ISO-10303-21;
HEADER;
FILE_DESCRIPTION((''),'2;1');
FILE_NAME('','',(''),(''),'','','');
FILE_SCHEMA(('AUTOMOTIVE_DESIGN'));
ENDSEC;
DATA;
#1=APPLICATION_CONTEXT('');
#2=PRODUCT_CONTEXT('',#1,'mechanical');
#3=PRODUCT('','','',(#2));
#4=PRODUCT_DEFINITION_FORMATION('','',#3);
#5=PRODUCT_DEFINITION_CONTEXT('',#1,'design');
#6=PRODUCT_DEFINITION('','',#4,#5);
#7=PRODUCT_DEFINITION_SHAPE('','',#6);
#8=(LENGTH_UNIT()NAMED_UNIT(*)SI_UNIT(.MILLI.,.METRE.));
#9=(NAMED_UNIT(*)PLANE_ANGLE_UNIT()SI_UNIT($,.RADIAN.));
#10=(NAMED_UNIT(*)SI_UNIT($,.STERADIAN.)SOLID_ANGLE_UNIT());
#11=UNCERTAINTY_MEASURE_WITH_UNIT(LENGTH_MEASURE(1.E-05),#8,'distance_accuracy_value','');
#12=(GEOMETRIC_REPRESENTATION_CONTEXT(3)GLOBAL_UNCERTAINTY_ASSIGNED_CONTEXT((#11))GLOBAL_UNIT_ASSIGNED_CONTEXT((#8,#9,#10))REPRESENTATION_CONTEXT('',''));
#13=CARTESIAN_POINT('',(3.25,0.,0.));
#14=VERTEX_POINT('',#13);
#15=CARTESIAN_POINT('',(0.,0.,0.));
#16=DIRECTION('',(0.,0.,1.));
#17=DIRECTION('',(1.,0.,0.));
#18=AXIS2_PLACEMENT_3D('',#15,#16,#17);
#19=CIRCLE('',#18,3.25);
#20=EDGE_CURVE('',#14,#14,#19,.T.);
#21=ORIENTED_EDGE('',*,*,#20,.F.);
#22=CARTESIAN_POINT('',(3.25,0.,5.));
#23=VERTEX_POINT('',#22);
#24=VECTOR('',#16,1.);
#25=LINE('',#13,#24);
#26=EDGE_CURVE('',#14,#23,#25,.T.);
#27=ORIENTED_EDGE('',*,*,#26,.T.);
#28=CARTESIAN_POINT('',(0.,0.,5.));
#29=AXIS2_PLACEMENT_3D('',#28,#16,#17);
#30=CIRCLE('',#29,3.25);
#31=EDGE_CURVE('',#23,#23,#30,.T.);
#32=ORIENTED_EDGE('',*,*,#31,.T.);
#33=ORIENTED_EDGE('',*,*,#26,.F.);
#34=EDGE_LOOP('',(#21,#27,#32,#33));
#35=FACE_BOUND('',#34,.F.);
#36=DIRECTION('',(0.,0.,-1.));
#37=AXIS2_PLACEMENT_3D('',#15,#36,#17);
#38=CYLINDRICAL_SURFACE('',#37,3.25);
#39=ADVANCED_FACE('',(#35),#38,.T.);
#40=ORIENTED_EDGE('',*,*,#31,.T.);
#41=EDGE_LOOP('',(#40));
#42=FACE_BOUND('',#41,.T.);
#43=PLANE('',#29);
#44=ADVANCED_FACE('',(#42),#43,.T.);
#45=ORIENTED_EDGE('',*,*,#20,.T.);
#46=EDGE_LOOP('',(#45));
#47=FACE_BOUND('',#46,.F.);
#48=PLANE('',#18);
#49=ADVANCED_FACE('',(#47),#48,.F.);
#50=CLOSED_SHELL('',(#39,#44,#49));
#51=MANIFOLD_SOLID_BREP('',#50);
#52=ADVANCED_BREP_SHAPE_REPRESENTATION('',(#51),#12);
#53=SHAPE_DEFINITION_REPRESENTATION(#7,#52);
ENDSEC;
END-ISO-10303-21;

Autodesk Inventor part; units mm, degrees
ref_plane "YZ Plane" through (0, 0, 0) normal (1, 0, 0) x (0, 1, 0)
ref_plane "XZ Plane" through (0, 0, 0) normal (0, 1, 0) x (-1, 0, 0)
ref_plane "XY Plane" through (0, 0, 0) normal (0, 0, 1) x (1, 0, 0)
sketch "Sketch2" plane through (0, 0, 0) normal (0, 0, 1) x (1, 0, 0)
  circle A0 centre (0, 0) radius 3.25
  dimension "d1" = 6.5
extrude "Extrusion1" add sketch "Sketch2" along normal blind 5
equation "\"d1\" = d2"
equation "\"d3\" = thickness"
equation "\"R\" = 6.5"
equation "\"thickness\" = 5"
equation "\"width\" = 6.5"
equation "\"R1\" = 9"
equation "\"d2\" = 6.5"
properties material "Glass"
